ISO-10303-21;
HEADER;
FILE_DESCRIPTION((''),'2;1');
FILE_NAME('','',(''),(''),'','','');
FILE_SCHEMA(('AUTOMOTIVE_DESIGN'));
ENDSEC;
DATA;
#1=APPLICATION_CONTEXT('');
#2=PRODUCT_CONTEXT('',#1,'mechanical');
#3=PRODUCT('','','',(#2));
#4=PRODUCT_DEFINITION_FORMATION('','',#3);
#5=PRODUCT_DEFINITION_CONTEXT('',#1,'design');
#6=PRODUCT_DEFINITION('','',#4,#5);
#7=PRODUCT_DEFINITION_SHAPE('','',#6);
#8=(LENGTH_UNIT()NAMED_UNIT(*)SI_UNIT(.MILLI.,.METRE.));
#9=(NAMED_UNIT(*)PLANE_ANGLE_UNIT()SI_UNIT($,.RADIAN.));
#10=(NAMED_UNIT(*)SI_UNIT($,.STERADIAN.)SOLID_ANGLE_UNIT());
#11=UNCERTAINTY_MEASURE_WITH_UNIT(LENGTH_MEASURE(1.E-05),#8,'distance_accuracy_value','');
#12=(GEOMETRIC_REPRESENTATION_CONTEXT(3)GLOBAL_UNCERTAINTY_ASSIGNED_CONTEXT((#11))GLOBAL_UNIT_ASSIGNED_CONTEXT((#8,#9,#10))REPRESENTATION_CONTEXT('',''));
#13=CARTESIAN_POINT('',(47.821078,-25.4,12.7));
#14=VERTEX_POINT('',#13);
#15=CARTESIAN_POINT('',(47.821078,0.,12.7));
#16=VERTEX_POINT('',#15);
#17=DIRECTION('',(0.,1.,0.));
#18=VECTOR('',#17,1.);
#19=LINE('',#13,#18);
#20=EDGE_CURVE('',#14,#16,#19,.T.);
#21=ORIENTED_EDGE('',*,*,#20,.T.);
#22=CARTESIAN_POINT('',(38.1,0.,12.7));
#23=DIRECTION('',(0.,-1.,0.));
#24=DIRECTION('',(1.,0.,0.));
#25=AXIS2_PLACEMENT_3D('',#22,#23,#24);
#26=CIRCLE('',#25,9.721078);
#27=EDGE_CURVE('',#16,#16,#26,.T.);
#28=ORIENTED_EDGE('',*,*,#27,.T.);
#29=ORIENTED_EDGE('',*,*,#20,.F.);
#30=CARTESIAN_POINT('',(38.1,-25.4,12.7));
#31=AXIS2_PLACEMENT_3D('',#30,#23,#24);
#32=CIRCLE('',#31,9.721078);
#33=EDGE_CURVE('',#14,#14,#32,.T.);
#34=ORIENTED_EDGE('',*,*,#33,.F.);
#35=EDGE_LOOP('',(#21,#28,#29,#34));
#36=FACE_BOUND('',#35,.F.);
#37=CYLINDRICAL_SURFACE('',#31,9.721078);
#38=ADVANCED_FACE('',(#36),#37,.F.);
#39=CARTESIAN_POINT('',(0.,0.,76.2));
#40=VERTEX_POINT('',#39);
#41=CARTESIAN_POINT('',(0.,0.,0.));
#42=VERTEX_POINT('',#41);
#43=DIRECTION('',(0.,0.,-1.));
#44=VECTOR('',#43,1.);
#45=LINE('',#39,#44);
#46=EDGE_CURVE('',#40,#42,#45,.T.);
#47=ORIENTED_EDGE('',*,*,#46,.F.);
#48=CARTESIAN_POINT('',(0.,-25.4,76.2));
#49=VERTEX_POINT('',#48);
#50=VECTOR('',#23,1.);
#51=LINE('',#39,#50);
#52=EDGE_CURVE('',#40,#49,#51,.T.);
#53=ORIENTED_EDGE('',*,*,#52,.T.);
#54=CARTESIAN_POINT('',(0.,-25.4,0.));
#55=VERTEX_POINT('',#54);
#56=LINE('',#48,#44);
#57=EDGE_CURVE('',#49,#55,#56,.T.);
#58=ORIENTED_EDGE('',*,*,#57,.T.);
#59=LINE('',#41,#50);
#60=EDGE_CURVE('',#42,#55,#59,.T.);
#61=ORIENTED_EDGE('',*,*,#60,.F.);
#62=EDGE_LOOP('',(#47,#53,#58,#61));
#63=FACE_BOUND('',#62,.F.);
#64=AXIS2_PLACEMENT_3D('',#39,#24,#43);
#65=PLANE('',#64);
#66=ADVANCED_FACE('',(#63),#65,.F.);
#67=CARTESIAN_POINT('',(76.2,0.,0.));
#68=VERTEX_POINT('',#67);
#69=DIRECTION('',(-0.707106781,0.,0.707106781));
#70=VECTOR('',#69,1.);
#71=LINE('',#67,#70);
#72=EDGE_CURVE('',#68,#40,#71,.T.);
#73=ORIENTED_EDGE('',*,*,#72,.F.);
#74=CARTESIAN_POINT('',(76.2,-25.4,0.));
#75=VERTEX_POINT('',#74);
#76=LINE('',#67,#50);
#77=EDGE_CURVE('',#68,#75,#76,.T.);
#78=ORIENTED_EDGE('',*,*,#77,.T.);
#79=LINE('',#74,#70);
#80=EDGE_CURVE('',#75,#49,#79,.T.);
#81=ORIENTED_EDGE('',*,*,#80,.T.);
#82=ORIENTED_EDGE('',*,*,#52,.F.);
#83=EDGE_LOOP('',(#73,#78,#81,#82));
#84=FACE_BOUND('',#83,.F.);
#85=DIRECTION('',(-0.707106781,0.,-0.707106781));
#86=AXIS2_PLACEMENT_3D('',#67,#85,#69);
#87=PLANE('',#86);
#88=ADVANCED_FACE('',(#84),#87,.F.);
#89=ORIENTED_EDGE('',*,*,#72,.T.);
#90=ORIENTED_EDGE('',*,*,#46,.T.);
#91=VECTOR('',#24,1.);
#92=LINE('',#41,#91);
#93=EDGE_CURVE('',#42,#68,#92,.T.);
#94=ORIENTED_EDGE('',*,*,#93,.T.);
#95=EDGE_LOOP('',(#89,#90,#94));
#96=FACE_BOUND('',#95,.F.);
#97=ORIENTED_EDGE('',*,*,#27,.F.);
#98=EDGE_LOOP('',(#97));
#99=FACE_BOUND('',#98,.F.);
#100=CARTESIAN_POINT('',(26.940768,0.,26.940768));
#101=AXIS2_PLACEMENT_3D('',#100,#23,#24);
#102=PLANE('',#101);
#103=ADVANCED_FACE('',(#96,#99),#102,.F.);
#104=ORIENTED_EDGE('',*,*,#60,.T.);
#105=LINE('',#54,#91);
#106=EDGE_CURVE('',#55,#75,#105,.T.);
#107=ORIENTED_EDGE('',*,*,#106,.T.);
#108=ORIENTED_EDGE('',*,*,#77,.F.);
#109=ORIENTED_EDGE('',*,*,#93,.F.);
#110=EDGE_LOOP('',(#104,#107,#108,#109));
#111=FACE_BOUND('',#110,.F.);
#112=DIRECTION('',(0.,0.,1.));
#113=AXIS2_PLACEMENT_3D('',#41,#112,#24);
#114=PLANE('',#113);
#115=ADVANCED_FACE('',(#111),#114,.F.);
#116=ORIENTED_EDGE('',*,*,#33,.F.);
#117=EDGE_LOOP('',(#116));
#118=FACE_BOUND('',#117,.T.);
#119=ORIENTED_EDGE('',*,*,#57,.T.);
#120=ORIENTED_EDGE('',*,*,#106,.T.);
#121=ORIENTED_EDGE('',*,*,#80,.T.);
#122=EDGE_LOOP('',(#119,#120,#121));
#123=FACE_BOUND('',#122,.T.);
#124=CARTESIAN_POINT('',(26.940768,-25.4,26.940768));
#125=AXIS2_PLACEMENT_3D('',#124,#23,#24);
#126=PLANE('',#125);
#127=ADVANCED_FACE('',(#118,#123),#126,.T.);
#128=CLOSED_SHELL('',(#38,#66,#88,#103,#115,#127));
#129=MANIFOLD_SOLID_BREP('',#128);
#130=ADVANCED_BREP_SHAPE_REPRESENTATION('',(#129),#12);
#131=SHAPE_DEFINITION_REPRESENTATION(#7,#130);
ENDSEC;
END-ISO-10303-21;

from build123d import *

# Parameters (mm, degrees)
F1_DEPTH = 25.4
F2_R     = 9.721078
F3_DEPTH = 25.401


with BuildPart() as f1:
    # F0 (on Front) → F1 (new body)
    with BuildSketch(Plane.XZ):
        Polygon((0, 0), (76.2, 0), (0, 76.2), align=None)
    extrude(amount=F1_DEPTH)

    # F2 (on face) → F3 (cut, through all)
    with BuildSketch(Plane.XZ.offset(25.4)):
        with Locations((38.1, 12.7)):
            Circle(F2_R)
    extrude(amount=-F3_DEPTH, mode=Mode.SUBTRACT)


solid = f1.part
